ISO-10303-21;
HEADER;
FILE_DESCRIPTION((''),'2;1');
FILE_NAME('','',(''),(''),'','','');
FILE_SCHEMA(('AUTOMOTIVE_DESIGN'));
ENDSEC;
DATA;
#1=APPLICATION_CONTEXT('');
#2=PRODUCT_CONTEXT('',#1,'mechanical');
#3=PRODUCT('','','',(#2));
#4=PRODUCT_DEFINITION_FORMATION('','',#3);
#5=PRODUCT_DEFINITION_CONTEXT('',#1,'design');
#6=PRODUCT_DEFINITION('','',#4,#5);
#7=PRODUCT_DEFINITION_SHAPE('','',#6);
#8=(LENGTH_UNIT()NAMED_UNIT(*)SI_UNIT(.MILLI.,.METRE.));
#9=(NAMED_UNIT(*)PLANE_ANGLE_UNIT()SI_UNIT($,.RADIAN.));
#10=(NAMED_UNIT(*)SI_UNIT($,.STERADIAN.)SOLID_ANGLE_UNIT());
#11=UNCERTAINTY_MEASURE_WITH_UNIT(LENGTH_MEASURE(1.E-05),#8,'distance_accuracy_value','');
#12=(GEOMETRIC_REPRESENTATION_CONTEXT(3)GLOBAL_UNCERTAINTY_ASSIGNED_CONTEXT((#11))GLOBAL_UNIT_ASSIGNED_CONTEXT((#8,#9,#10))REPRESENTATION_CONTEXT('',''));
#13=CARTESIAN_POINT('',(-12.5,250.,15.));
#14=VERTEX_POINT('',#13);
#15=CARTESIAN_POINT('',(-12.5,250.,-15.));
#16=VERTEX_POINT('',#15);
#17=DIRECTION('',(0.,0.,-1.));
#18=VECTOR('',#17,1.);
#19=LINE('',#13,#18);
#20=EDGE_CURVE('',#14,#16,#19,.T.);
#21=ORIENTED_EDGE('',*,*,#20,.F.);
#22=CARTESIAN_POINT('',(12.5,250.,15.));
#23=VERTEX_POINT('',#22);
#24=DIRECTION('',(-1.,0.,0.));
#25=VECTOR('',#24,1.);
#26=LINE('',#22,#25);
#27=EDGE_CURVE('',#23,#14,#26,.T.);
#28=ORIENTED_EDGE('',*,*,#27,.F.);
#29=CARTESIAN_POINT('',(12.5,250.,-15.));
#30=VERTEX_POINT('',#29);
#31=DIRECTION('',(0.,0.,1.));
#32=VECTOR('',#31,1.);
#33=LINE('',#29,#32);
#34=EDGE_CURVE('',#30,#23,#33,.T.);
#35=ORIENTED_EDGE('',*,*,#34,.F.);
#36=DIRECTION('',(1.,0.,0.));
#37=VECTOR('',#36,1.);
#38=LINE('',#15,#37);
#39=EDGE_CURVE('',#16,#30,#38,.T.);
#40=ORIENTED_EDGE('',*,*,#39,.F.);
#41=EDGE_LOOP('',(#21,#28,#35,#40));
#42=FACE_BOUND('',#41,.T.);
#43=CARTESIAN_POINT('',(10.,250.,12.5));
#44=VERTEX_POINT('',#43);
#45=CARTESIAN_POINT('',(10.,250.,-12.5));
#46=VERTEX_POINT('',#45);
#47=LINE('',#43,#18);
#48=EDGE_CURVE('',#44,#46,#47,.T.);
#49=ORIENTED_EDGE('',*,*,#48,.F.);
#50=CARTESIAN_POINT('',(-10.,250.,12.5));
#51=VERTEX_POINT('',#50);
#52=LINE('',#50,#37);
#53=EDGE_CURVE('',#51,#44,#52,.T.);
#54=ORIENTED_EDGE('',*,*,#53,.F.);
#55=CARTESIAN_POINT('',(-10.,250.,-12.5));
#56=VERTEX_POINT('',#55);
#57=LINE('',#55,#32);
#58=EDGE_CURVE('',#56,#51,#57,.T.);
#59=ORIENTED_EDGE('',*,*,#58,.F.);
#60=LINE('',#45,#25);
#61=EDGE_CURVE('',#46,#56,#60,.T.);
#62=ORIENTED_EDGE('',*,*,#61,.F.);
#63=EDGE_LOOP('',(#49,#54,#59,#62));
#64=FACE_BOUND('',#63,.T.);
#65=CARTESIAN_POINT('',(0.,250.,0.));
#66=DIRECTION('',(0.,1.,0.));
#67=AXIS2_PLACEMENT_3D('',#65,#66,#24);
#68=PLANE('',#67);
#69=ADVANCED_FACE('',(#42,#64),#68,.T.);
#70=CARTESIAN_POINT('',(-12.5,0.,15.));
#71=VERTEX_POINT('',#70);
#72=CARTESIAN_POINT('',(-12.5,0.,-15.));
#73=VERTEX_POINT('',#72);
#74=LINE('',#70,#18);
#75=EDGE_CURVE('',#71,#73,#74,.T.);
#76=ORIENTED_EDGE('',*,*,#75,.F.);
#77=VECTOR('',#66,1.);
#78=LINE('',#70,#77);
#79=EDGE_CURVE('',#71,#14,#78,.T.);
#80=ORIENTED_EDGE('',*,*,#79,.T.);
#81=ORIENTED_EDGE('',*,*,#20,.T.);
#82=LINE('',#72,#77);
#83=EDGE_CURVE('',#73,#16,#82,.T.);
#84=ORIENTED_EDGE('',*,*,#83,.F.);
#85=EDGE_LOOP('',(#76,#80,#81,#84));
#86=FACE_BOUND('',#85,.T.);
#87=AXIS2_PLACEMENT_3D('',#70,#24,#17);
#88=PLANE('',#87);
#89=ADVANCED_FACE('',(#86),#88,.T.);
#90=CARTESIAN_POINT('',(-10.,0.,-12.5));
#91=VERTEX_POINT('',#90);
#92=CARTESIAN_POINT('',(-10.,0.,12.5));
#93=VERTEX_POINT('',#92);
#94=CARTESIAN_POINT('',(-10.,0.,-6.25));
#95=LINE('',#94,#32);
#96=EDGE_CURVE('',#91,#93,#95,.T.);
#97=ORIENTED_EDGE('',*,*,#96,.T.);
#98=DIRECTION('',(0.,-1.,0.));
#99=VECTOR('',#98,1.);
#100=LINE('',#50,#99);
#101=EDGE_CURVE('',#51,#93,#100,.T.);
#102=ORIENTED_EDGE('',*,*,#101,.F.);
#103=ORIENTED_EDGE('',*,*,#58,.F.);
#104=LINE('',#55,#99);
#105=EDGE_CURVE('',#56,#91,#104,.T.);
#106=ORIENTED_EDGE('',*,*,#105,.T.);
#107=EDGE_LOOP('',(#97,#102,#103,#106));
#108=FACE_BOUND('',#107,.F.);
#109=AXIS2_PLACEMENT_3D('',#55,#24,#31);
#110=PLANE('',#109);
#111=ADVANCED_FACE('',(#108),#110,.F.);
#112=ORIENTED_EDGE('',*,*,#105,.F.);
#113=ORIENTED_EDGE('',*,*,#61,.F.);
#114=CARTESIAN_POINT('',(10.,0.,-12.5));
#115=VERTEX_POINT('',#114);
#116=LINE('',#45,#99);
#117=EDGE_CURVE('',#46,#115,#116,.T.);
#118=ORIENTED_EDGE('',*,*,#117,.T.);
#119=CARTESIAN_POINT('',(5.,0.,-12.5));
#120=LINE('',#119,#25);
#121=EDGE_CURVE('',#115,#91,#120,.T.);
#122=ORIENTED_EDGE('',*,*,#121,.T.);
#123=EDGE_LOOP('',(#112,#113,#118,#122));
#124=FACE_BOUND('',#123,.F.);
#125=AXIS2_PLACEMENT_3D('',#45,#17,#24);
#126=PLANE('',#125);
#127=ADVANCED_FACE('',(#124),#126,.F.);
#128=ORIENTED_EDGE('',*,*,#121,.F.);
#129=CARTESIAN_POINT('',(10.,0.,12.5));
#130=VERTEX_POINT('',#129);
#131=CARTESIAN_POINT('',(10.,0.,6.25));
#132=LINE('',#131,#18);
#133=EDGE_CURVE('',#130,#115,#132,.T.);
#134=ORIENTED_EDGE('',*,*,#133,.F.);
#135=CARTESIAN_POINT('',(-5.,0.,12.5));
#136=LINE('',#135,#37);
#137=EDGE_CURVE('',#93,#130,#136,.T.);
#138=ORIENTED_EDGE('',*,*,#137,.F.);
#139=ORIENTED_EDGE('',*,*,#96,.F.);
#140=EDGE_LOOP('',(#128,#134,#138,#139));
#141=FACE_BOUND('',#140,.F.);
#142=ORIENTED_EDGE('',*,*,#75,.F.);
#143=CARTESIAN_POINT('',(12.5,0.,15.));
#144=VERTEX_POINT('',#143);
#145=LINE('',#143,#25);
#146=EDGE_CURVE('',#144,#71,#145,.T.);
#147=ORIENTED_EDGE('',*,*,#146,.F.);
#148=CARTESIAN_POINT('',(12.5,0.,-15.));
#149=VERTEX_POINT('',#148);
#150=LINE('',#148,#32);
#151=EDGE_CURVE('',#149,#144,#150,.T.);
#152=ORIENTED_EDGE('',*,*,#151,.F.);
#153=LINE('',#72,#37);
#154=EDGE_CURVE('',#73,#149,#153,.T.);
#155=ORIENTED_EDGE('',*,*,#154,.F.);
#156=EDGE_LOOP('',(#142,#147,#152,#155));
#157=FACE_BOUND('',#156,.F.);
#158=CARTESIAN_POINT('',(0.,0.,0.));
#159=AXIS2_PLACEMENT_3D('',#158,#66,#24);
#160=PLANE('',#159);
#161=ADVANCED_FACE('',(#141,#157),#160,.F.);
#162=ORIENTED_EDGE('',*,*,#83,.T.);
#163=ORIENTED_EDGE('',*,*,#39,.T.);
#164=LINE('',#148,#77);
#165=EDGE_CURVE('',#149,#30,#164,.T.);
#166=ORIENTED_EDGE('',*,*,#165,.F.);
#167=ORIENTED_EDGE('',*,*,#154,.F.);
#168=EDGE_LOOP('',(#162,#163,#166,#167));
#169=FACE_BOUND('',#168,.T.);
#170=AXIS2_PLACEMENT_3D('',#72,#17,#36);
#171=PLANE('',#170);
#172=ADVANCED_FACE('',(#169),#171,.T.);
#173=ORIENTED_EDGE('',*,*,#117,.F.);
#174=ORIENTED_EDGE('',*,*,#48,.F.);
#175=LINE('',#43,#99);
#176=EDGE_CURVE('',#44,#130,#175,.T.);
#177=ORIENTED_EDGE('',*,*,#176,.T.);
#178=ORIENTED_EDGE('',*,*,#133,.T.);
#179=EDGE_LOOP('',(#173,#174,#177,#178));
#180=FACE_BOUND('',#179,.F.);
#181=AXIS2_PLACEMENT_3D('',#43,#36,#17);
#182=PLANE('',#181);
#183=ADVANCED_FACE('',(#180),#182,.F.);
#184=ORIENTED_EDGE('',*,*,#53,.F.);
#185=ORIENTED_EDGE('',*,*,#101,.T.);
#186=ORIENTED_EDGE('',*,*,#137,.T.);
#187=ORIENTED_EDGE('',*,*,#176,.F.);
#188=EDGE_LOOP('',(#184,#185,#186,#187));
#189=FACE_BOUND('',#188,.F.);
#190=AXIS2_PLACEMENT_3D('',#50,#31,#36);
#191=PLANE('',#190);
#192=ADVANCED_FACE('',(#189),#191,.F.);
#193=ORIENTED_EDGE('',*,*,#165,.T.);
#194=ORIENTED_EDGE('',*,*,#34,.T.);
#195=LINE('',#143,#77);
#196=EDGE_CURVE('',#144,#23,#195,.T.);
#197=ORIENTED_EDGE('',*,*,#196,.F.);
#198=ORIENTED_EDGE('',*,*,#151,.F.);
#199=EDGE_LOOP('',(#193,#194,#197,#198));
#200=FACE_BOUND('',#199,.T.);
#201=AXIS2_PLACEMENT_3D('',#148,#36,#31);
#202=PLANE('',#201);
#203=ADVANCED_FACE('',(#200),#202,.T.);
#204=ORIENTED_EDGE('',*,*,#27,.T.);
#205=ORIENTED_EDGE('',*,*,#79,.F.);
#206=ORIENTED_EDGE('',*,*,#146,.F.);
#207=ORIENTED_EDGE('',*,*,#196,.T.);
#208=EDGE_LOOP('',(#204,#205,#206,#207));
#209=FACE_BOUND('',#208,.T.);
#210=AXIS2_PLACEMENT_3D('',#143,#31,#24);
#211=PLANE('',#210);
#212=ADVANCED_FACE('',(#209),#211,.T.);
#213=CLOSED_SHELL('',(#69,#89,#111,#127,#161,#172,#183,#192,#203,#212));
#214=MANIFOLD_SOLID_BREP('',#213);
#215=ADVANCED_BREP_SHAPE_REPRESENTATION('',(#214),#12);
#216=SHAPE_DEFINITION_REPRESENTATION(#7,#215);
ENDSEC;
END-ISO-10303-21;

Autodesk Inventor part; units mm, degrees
ref_plane "YZ Plane" through (0, 0, 0) normal (1, 0, 0) x (0, 1, 0)
ref_plane "XZ Plane" through (0, 0, 0) normal (0, 1, 0) x (-1, 0, 0)
ref_plane "XY Plane" through (0, 0, 0) normal (0, 0, 1) x (1, 0, 0)
sketch "Sketch1" plane through (0, 0, 0) normal (0, 1, 0) x (-1, 0, 0)
  line L0 (-12.5, 15) -> (12.5, 15)
  line L1 (12.5, 15) -> (12.5, -15)
  line L2 (12.5, -15) -> (-12.5, -15)
  line L3 (-12.5, -15) -> (-12.5, 15)
  line L4 (-12.5, 15) -> (12.5, -15) construction
  line L5 (12.5, 15) -> (-12.5, -15) construction
  point P0 (0, 0)
  dimension "d0" = 30
  dimension "d1" = 25
extrude "Extrusion1" add sketch "Sketch1" along normal blind 250
sketch "Sketch2" plane through (0, 250, 0) normal (0, 1, 0) x (1, 0, 0)
  line L0 (-10, -12.5) -> (10, -12.5)
  line L1 (10, -12.5) -> (10, 12.5)
  line L2 (10, 12.5) -> (-10, 12.5)
  line L3 (-10, 12.5) -> (-10, -12.5)
  line L4 (-10, -12.5) -> (10, 12.5) construction
  line L5 (10, -12.5) -> (-10, 12.5) construction
  point P0 (0, 0)
  dimension "d4" = 25
  dimension "d5" = 20
extrude "Extrusion2" cut sketch "Sketch2" against normal blind 600
properties part number "25 cm trunk"
